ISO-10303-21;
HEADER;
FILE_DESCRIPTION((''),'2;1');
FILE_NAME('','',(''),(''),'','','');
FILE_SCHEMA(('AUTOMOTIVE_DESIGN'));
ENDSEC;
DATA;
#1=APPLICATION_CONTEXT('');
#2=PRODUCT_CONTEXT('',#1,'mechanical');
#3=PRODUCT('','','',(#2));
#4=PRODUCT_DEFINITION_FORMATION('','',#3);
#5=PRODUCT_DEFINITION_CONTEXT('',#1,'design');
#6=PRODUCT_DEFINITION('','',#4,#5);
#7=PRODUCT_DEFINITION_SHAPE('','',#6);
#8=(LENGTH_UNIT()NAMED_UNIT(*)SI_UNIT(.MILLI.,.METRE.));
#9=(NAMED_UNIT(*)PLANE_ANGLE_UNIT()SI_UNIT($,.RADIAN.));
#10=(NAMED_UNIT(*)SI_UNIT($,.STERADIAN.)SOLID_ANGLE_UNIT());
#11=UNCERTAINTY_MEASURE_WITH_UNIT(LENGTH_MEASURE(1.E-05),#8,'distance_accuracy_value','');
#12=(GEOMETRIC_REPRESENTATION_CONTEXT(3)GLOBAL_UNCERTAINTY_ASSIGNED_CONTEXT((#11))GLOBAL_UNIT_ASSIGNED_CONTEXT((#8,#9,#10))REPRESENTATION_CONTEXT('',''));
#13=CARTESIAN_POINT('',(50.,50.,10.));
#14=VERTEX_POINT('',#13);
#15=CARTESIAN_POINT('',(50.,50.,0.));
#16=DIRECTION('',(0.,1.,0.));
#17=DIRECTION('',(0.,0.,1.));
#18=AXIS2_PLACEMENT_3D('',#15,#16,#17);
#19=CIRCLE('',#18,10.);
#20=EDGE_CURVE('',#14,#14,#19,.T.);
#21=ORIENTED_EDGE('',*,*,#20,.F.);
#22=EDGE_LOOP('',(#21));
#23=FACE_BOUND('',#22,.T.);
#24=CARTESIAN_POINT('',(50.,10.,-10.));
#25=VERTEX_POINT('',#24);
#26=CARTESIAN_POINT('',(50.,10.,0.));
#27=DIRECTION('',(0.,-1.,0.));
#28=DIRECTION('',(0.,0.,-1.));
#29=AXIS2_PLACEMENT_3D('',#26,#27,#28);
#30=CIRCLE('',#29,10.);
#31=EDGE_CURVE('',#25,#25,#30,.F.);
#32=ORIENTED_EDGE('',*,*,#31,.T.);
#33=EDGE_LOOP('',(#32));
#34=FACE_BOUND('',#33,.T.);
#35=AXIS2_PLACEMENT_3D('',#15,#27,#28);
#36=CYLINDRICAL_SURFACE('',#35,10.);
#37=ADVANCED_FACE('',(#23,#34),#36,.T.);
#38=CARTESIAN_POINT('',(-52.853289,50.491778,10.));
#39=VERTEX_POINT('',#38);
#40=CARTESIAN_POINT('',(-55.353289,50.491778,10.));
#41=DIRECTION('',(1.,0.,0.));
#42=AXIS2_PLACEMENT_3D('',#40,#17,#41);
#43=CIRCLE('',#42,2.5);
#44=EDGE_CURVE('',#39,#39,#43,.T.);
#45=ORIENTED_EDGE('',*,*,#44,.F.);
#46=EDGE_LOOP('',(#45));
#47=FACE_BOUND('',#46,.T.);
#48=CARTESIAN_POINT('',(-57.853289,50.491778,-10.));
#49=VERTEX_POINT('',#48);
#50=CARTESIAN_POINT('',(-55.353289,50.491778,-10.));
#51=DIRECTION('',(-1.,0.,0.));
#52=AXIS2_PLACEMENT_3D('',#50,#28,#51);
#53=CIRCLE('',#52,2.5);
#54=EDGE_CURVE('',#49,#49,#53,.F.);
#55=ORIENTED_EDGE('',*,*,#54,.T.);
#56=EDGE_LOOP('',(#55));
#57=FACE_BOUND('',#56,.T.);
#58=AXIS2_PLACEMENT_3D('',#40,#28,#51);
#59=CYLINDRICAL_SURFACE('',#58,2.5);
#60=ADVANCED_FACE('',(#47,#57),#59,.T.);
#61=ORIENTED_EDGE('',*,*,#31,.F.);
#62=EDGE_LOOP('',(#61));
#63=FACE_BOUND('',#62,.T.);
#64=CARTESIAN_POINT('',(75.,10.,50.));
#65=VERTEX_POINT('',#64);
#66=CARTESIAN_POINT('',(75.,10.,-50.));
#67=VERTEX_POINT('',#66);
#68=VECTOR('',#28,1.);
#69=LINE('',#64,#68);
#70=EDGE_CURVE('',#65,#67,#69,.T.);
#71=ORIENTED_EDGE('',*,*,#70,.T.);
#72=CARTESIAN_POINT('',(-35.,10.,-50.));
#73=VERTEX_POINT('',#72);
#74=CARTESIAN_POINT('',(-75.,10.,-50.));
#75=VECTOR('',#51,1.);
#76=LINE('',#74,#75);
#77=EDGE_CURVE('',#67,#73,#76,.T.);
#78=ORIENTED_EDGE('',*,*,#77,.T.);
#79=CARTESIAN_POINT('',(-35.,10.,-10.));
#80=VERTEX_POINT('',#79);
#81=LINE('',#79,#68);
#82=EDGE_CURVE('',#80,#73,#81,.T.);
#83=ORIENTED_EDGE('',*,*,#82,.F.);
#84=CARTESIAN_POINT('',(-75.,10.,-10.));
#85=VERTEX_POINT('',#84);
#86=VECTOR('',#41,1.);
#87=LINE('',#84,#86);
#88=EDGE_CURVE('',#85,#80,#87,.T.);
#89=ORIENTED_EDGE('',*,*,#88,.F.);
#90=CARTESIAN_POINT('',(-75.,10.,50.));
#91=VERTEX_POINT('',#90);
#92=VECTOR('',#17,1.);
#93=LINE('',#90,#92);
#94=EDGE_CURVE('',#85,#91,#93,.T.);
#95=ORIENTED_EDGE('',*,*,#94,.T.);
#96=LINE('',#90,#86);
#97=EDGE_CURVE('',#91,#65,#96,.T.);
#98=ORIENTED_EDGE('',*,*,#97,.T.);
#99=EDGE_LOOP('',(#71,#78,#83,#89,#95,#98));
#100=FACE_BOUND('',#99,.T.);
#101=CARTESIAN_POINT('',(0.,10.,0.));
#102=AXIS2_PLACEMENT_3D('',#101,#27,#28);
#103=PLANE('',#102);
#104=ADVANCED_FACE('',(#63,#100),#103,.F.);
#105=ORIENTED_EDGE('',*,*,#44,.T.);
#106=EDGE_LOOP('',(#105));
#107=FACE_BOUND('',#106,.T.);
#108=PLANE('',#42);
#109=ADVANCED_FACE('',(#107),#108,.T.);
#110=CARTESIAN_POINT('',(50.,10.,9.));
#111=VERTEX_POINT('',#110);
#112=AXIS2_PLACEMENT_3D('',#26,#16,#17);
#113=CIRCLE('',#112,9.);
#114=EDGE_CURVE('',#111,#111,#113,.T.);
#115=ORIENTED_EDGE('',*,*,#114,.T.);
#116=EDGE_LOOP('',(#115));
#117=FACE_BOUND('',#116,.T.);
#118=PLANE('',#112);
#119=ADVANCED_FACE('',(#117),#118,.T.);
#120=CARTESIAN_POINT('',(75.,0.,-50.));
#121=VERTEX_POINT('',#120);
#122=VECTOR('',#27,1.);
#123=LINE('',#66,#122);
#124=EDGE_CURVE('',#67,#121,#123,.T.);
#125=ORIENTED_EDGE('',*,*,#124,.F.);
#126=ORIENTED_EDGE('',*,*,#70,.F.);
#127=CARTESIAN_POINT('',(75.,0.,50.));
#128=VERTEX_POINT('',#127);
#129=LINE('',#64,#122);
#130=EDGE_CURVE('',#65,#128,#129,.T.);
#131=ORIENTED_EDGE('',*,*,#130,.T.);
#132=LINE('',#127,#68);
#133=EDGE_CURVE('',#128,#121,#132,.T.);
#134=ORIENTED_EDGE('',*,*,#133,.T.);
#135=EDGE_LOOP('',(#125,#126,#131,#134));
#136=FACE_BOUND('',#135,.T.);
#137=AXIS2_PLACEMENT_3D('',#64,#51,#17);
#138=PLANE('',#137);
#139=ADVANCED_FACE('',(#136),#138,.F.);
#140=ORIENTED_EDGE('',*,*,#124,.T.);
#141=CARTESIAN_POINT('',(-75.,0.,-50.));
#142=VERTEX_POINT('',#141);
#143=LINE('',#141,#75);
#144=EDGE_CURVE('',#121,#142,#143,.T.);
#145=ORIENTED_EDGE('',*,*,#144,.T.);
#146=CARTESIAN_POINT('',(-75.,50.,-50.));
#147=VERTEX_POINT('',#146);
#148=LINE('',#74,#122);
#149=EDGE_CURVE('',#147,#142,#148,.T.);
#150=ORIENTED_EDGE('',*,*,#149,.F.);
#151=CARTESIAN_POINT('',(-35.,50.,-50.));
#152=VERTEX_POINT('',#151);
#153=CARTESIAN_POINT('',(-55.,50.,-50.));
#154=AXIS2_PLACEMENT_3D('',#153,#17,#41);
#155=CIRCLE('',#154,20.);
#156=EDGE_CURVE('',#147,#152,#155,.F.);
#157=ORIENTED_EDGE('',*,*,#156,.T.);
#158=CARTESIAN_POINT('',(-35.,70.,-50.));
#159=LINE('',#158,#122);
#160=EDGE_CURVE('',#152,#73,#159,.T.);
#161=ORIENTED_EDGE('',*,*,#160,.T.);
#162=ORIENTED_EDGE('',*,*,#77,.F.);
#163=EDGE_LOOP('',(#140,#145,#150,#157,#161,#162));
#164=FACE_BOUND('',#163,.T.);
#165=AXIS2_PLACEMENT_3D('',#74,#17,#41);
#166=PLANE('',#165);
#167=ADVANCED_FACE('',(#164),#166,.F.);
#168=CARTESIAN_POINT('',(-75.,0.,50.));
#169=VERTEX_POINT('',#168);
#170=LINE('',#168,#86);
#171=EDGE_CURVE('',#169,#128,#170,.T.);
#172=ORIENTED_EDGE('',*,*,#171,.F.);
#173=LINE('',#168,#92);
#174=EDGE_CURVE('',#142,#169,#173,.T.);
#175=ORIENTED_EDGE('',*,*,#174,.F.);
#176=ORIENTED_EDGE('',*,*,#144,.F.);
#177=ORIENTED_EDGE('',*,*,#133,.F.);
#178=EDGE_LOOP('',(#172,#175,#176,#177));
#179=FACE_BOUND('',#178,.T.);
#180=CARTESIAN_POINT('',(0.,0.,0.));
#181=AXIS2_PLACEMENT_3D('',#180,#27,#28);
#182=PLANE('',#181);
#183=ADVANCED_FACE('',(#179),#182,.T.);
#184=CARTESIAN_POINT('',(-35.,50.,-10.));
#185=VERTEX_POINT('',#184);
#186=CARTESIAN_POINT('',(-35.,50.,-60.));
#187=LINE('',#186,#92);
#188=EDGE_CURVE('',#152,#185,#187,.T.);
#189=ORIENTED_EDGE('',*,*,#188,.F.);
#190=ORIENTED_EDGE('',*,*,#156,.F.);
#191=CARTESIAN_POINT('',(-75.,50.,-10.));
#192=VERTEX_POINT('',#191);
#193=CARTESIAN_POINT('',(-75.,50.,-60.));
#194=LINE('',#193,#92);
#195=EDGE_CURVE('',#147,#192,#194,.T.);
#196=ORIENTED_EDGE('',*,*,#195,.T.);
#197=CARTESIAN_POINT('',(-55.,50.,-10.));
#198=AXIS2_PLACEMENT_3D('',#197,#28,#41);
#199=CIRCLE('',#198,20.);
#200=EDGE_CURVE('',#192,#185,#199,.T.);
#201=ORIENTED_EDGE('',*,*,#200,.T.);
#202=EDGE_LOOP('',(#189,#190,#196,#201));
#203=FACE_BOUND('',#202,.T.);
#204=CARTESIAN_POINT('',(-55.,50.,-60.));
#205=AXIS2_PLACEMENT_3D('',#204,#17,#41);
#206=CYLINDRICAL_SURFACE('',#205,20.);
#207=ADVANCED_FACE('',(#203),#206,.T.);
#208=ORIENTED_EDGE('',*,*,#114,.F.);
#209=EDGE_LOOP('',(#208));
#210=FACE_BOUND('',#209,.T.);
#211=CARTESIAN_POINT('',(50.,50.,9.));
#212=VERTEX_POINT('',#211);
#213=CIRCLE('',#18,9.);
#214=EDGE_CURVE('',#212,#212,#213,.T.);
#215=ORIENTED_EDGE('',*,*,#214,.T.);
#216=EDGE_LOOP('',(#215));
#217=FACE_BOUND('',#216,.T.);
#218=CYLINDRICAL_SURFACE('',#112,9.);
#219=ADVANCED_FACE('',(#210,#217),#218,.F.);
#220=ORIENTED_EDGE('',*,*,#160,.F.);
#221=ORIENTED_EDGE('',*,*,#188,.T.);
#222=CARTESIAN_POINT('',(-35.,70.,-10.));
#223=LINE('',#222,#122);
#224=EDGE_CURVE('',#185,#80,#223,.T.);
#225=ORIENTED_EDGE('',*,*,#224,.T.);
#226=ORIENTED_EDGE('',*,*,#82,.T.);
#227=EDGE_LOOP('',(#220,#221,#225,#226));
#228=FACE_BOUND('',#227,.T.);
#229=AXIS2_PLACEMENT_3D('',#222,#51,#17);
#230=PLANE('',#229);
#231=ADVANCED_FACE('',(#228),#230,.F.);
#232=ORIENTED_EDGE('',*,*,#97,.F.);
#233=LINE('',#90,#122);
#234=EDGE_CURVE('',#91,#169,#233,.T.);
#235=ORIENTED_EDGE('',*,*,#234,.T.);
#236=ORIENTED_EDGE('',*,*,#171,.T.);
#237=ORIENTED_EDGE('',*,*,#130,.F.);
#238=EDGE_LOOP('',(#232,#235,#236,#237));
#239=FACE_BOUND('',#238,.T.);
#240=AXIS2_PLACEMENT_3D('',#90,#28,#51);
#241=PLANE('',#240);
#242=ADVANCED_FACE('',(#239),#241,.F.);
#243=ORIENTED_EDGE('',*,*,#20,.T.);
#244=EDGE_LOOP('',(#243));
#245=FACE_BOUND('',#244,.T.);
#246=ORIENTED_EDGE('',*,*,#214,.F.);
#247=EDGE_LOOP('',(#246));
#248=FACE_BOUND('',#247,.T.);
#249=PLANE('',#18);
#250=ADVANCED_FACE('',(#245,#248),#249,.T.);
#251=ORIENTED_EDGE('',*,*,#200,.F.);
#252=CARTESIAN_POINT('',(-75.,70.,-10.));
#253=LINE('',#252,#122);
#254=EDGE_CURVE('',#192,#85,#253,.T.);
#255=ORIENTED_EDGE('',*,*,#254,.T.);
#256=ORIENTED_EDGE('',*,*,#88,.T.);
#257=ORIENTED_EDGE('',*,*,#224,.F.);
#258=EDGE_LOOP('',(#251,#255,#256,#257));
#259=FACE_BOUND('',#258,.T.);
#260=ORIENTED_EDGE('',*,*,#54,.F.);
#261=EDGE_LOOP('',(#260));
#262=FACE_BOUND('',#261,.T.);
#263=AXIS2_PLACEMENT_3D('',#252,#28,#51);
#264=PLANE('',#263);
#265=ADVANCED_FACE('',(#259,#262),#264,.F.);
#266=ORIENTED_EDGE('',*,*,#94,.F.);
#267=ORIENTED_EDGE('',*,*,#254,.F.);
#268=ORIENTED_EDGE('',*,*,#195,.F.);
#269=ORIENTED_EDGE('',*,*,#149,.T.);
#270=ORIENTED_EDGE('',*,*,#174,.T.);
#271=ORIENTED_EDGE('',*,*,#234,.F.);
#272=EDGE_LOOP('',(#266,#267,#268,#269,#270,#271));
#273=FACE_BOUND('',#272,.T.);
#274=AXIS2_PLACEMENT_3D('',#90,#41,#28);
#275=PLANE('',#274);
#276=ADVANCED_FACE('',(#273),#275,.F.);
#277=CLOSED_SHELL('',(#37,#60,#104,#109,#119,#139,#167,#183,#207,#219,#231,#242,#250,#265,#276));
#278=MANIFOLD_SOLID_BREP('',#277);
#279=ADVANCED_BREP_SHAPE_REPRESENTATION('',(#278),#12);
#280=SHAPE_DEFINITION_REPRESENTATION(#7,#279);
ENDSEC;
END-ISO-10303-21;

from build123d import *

# Parameters (mm, degrees)
SKETCH1_W           = 150
SKETCH1_H           = 100
BOSS_EXTRUDE1_DEPTH = 10
SKETCH2_R           = 10
BOSS_EXTRUDE2_DEPTH = 40
SKETCH3_R           = 9
CUT_EXTRUDE2_DEPTH  = 40
SKETCH4_W           = 40
SKETCH4_H           = 40
BOSS_EXTRUDE3_DEPTH = 60
CUT_EXTRUDE3_DEPTH  = 50
CUT_EXTRUDE4_DEPTH  = 50
SKETCH8_R           = 2.5
BOSS_EXTRUDE5_DEPTH = 20


with BuildPart() as part:
    # Sketch1 → Boss-Extrude1 (new body)
    with BuildSketch(Plane(origin=(0, 0, 0), x_dir=(1, 0, 0), z_dir=(0, 1, 0))):
        Rectangle(SKETCH1_W, SKETCH1_H)
    extrude(amount=BOSS_EXTRUDE1_DEPTH)

    # Sketch2 → Boss-Extrude2 (add)
    with BuildSketch(Plane(origin=(0, 10, 0), x_dir=(1, 0, 0), z_dir=(0, 1, 0))):
        with Locations(Location((50, 0, 0), (0, 0, 90))):
            Circle(SKETCH2_R)
    extrude(amount=BOSS_EXTRUDE2_DEPTH)

    # Sketch3 → Cut-Extrude2 (cut)
    with BuildSketch(Plane(origin=(0, 50, 0), x_dir=(1, 0, 0), z_dir=(0, 1, 0))):
        with Locations(Location((50, 0, 0), (0, 0, 270))):
            Circle(SKETCH3_R)
    extrude(amount=-CUT_EXTRUDE2_DEPTH, mode=Mode.SUBTRACT)

    # Sketch4 → Boss-Extrude3 (add)
    with BuildSketch(Plane(origin=(0, 10, 0), x_dir=(1, 0, 0), z_dir=(0, 1, 0))):
        with Locations((-55, 30)):
            Rectangle(SKETCH4_W, SKETCH4_H)
    extrude(amount=BOSS_EXTRUDE3_DEPTH)

    # Sketch6 → Cut-Extrude3 (cut)
    with BuildSketch(Plane.XY.offset(-10)):
        with BuildLine():
            Line((-75, 50), (-75, 70))
            Line((-75, 70), (-55, 70))
            ThreePointArc((-55, 70), (-69.142135624, 64.142135624), (-75, 50))
        make_face()
    extrude(amount=-CUT_EXTRUDE3_DEPTH, mode=Mode.SUBTRACT)

    # Sketch7 → Cut-Extrude4 (cut)
    with BuildSketch(Plane.XY.offset(-10)):
        with BuildLine():
            Line((-55, 70), (-35, 70))
            Line((-35, 70), (-35, 50))
            ThreePointArc((-35, 50), (-40.857864376, 64.142135624), (-55, 70))
        make_face()
    extrude(amount=-CUT_EXTRUDE4_DEPTH, mode=Mode.SUBTRACT)

    # Sketch8 → Boss-Extrude5 (add)
    with BuildSketch(Plane.XY.offset(-10)):
        with Locations(Location((-55.353289102, 50.491778343, 0), (0, 0, 180))):
            Circle(SKETCH8_R)
    extrude(amount=BOSS_EXTRUDE5_DEPTH)


solid = part.part
